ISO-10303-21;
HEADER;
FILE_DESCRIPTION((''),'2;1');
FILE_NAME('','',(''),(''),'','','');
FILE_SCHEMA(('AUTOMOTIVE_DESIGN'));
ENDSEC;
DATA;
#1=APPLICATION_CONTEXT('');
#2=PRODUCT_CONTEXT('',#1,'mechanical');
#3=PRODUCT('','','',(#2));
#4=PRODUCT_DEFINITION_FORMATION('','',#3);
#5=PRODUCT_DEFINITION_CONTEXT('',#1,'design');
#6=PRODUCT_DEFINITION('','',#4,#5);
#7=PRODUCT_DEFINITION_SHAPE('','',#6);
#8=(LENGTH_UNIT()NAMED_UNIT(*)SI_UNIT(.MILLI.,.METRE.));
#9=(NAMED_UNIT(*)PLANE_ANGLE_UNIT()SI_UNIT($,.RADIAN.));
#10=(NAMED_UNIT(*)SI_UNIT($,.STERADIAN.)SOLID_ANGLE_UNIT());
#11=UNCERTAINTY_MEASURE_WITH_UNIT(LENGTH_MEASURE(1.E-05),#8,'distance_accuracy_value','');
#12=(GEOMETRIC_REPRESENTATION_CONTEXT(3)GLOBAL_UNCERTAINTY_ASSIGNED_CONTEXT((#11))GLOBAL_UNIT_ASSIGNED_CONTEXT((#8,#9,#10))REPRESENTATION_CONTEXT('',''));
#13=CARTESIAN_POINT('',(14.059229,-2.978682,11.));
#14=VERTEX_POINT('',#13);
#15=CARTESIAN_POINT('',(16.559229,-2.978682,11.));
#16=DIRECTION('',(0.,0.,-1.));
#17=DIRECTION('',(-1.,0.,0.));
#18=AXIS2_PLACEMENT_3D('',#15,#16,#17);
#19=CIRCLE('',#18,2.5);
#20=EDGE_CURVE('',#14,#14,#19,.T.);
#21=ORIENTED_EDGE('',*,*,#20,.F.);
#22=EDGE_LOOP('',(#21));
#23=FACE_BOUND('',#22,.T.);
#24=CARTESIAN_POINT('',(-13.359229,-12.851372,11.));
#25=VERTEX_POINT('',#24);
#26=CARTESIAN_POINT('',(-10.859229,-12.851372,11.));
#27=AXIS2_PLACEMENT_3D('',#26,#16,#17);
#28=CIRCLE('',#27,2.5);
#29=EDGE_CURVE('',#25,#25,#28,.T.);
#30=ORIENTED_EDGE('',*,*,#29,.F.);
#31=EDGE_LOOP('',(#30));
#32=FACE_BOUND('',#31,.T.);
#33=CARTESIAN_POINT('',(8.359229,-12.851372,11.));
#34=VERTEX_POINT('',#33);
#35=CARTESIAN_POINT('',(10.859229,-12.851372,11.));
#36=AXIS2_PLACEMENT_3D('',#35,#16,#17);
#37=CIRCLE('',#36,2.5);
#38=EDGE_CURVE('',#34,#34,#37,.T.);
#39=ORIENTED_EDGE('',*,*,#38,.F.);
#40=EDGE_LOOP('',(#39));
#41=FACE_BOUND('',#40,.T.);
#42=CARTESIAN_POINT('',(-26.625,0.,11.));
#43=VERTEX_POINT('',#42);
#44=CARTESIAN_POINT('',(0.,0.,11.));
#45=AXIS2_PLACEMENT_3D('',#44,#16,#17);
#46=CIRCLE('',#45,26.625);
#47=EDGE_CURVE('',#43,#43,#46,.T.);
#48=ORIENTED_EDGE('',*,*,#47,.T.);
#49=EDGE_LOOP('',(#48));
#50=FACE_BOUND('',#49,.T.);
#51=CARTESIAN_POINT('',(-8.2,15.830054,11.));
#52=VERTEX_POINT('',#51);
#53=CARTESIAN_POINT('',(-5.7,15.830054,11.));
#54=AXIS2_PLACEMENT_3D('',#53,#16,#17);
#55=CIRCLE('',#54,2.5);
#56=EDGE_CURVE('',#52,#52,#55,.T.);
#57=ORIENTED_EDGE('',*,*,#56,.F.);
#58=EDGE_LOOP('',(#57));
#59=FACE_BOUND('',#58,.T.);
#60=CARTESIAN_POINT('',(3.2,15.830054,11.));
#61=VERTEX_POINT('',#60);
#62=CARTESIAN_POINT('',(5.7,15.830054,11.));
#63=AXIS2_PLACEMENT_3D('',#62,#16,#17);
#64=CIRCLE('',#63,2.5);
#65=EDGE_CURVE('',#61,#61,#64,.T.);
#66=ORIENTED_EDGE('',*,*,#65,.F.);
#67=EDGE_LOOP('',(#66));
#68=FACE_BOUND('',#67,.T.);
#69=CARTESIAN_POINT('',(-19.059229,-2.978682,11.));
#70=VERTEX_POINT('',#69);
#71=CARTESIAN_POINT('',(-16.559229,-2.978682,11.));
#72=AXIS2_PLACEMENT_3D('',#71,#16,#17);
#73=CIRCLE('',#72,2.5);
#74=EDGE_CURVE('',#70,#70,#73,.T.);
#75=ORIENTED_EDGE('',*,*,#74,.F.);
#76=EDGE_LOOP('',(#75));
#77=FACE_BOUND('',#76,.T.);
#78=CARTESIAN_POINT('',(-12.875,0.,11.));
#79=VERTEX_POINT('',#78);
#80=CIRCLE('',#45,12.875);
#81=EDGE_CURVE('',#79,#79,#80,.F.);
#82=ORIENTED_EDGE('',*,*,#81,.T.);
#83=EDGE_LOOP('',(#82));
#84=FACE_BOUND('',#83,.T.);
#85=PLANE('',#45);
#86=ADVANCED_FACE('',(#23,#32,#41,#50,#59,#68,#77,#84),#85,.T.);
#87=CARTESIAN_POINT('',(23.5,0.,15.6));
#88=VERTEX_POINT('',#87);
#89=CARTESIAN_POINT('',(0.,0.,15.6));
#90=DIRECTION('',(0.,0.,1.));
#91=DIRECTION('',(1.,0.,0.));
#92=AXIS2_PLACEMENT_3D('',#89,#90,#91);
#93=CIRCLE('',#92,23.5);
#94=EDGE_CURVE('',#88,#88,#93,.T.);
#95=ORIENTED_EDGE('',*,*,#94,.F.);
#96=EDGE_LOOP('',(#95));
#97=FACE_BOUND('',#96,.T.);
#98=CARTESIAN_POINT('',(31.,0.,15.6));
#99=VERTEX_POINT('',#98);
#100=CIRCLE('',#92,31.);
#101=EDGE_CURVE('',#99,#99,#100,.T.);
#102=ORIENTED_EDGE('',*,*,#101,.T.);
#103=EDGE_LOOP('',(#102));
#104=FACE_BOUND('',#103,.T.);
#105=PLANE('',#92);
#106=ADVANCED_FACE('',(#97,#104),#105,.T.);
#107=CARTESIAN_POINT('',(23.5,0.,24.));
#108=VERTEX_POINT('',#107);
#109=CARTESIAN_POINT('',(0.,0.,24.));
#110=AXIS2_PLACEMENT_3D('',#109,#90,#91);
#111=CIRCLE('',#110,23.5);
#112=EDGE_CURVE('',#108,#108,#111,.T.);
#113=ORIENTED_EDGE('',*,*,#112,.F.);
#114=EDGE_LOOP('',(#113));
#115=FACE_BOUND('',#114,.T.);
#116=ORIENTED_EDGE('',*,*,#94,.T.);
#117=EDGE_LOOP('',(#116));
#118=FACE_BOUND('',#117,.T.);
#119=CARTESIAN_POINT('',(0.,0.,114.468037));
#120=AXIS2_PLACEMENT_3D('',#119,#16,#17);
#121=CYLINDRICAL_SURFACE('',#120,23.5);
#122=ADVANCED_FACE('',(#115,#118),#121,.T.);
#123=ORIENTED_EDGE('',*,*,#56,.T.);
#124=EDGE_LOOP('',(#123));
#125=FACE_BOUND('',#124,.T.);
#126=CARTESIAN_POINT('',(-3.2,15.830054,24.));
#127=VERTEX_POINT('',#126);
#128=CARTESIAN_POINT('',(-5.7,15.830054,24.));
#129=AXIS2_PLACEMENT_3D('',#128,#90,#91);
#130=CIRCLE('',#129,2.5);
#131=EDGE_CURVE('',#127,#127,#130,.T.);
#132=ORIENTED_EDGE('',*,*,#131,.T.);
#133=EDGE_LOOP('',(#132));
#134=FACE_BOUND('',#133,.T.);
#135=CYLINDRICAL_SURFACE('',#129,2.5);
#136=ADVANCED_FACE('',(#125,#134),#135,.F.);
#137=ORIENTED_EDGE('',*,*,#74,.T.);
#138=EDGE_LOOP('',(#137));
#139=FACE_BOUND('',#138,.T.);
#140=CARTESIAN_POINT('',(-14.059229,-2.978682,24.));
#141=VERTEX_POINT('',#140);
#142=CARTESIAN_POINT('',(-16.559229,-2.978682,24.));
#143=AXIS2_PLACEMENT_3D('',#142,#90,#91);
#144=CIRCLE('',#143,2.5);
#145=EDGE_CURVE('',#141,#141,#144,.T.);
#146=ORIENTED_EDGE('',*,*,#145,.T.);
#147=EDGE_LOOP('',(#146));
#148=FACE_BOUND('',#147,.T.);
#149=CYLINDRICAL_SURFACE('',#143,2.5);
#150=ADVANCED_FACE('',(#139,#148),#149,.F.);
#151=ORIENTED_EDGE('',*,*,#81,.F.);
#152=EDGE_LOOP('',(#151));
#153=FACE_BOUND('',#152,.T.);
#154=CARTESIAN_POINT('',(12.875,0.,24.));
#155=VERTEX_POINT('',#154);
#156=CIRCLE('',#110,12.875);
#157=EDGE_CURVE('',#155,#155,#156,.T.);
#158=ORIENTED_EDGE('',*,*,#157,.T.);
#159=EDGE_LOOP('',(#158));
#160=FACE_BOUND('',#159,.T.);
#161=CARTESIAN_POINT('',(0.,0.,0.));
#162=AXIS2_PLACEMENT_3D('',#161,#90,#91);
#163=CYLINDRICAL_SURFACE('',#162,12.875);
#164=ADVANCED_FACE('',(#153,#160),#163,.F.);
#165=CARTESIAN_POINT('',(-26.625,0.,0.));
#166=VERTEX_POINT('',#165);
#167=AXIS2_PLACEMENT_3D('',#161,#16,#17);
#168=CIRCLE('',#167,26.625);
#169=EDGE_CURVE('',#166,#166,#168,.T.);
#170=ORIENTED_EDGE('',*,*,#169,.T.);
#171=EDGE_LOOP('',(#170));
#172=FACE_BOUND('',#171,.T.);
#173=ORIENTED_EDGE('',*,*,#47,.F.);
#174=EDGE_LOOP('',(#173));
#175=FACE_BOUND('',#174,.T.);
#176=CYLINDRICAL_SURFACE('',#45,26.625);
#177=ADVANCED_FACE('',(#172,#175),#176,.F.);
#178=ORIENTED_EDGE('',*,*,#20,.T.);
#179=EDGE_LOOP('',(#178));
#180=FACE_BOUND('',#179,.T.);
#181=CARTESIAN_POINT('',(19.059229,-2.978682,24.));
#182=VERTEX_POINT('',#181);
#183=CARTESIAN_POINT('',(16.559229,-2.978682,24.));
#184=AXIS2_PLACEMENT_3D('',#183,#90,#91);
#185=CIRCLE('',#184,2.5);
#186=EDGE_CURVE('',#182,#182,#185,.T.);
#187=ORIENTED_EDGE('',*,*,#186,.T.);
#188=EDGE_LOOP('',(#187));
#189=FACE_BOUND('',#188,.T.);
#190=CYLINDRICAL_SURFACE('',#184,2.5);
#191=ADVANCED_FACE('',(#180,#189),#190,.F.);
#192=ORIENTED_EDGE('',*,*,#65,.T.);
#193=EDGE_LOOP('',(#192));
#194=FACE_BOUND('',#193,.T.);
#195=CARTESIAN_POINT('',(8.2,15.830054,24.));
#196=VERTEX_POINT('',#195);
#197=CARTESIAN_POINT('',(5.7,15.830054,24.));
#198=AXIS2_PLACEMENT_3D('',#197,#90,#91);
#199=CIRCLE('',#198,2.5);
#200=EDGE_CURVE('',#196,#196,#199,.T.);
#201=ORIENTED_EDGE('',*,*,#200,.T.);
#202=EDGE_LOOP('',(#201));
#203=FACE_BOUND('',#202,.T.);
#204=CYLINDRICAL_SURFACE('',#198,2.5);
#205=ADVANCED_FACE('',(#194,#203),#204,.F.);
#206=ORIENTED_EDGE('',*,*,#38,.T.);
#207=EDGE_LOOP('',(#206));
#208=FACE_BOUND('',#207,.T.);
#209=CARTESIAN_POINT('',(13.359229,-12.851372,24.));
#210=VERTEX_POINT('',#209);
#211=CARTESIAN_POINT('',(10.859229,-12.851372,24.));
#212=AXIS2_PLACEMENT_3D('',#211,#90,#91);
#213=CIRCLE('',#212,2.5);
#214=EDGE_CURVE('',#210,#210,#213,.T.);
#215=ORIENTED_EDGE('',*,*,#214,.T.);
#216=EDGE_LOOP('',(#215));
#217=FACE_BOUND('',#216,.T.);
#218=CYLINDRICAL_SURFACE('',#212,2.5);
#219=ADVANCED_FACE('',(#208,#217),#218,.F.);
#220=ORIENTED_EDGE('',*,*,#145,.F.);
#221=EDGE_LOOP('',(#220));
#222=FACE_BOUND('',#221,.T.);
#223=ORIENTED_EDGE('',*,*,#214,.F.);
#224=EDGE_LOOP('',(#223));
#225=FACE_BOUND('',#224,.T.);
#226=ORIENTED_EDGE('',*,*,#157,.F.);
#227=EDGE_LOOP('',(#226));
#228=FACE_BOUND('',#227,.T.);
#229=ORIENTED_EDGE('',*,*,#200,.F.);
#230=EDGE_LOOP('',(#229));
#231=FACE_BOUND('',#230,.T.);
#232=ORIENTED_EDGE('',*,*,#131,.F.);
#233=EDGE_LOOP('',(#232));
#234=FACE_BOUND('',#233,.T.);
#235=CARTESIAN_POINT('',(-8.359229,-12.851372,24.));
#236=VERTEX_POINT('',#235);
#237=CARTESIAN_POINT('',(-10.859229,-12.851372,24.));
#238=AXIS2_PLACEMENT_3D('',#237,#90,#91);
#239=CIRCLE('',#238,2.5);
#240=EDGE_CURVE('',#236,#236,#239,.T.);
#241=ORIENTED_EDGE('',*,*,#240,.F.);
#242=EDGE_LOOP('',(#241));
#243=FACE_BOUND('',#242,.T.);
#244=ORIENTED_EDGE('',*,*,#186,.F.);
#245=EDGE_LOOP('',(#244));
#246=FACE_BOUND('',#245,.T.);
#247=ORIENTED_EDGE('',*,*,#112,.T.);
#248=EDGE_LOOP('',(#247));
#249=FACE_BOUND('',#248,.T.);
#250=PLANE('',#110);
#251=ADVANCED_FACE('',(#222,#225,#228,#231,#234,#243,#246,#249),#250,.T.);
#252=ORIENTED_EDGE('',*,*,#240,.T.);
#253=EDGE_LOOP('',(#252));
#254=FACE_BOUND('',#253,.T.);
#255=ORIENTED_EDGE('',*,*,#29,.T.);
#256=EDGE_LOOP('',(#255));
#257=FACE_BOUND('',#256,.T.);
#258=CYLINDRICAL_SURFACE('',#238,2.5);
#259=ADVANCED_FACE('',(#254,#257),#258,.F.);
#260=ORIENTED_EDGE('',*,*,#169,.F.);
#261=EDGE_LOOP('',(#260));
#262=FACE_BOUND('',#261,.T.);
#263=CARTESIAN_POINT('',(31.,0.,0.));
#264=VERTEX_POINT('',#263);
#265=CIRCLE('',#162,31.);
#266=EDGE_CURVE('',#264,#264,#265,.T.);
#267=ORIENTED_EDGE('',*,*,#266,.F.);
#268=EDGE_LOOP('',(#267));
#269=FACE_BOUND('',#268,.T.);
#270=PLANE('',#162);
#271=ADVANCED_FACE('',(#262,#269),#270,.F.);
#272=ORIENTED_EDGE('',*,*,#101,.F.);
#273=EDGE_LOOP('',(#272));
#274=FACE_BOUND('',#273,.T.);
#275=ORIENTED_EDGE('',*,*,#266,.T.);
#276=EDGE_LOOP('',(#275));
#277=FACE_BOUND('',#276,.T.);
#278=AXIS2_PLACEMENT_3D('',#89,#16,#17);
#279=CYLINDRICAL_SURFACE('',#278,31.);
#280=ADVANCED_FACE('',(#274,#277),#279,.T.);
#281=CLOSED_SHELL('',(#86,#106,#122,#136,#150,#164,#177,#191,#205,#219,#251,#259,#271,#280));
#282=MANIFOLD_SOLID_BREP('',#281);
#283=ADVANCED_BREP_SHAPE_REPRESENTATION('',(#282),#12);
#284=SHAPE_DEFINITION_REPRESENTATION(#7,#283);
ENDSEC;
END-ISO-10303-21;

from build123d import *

# Parameters (mm, degrees)
SKETCH1_R             = 31
BOSS_EXTRUDE1_DEPTH   = 15.6
SKETCH2_R             = 23.5
BOSS_EXTRUDE2_DEPTH   = 8.4
SKETCH3_R             = 12.875
CUT_EXTRUDE1_DEPTH    = 50.979995998
SKETCH4_R             = 26.625
CUT_EXTRUDE2_DEPTH    = 11
M6X1_0_TAPPED_HOLE1_D = 5
CIRPATTERN1_COUNT     = 3


with BuildPart() as part:
    # Sketch1 → Boss-Extrude1 (new body)
    with BuildSketch(Plane.XY):
        Circle(SKETCH1_R)
    extrude(amount=BOSS_EXTRUDE1_DEPTH)

    # Sketch2 → Boss-Extrude2 (add)
    with BuildSketch(Plane.XY.offset(15.6)):
        Circle(SKETCH2_R)
    extrude(amount=BOSS_EXTRUDE2_DEPTH)

    # Sketch3 → Cut-Extrude1 (cut, through all)
    with BuildSketch(Plane.XY.offset(24)):
        Circle(SKETCH3_R)
    extrude(amount=-CUT_EXTRUDE1_DEPTH, mode=Mode.SUBTRACT)

    # Sketch4 → Cut-Extrude2 (cut)
    with BuildSketch(Plane(origin=(0, 0, 0), x_dir=(-1, 0, 0), z_dir=(0, 0, -1))):
        Circle(SKETCH4_R)
    extrude(amount=-CUT_EXTRUDE2_DEPTH, mode=Mode.SUBTRACT)

    # M6x1.0 Tapped Hole1 (through all)
    with Locations(Plane.XY.offset(24)):
        with Locations((-5.7, 15.830054485), (5.7, 15.830054485)):
            m6x1_0_tapped_hole1 = Hole(M6X1_0_TAPPED_HOLE1_D / 2)

    # CirPattern1: M6x1.0 Tapped Hole1 ×3 about axis
    cirpattern1_axis = Axis((0, 0, 0), (0, 0, 1))
    for i in range(1, CIRPATTERN1_COUNT):
        add(m6x1_0_tapped_hole1.rotate(cirpattern1_axis, i * 360 / CIRPATTERN1_COUNT), mode=Mode.SUBTRACT)


solid = part.part
